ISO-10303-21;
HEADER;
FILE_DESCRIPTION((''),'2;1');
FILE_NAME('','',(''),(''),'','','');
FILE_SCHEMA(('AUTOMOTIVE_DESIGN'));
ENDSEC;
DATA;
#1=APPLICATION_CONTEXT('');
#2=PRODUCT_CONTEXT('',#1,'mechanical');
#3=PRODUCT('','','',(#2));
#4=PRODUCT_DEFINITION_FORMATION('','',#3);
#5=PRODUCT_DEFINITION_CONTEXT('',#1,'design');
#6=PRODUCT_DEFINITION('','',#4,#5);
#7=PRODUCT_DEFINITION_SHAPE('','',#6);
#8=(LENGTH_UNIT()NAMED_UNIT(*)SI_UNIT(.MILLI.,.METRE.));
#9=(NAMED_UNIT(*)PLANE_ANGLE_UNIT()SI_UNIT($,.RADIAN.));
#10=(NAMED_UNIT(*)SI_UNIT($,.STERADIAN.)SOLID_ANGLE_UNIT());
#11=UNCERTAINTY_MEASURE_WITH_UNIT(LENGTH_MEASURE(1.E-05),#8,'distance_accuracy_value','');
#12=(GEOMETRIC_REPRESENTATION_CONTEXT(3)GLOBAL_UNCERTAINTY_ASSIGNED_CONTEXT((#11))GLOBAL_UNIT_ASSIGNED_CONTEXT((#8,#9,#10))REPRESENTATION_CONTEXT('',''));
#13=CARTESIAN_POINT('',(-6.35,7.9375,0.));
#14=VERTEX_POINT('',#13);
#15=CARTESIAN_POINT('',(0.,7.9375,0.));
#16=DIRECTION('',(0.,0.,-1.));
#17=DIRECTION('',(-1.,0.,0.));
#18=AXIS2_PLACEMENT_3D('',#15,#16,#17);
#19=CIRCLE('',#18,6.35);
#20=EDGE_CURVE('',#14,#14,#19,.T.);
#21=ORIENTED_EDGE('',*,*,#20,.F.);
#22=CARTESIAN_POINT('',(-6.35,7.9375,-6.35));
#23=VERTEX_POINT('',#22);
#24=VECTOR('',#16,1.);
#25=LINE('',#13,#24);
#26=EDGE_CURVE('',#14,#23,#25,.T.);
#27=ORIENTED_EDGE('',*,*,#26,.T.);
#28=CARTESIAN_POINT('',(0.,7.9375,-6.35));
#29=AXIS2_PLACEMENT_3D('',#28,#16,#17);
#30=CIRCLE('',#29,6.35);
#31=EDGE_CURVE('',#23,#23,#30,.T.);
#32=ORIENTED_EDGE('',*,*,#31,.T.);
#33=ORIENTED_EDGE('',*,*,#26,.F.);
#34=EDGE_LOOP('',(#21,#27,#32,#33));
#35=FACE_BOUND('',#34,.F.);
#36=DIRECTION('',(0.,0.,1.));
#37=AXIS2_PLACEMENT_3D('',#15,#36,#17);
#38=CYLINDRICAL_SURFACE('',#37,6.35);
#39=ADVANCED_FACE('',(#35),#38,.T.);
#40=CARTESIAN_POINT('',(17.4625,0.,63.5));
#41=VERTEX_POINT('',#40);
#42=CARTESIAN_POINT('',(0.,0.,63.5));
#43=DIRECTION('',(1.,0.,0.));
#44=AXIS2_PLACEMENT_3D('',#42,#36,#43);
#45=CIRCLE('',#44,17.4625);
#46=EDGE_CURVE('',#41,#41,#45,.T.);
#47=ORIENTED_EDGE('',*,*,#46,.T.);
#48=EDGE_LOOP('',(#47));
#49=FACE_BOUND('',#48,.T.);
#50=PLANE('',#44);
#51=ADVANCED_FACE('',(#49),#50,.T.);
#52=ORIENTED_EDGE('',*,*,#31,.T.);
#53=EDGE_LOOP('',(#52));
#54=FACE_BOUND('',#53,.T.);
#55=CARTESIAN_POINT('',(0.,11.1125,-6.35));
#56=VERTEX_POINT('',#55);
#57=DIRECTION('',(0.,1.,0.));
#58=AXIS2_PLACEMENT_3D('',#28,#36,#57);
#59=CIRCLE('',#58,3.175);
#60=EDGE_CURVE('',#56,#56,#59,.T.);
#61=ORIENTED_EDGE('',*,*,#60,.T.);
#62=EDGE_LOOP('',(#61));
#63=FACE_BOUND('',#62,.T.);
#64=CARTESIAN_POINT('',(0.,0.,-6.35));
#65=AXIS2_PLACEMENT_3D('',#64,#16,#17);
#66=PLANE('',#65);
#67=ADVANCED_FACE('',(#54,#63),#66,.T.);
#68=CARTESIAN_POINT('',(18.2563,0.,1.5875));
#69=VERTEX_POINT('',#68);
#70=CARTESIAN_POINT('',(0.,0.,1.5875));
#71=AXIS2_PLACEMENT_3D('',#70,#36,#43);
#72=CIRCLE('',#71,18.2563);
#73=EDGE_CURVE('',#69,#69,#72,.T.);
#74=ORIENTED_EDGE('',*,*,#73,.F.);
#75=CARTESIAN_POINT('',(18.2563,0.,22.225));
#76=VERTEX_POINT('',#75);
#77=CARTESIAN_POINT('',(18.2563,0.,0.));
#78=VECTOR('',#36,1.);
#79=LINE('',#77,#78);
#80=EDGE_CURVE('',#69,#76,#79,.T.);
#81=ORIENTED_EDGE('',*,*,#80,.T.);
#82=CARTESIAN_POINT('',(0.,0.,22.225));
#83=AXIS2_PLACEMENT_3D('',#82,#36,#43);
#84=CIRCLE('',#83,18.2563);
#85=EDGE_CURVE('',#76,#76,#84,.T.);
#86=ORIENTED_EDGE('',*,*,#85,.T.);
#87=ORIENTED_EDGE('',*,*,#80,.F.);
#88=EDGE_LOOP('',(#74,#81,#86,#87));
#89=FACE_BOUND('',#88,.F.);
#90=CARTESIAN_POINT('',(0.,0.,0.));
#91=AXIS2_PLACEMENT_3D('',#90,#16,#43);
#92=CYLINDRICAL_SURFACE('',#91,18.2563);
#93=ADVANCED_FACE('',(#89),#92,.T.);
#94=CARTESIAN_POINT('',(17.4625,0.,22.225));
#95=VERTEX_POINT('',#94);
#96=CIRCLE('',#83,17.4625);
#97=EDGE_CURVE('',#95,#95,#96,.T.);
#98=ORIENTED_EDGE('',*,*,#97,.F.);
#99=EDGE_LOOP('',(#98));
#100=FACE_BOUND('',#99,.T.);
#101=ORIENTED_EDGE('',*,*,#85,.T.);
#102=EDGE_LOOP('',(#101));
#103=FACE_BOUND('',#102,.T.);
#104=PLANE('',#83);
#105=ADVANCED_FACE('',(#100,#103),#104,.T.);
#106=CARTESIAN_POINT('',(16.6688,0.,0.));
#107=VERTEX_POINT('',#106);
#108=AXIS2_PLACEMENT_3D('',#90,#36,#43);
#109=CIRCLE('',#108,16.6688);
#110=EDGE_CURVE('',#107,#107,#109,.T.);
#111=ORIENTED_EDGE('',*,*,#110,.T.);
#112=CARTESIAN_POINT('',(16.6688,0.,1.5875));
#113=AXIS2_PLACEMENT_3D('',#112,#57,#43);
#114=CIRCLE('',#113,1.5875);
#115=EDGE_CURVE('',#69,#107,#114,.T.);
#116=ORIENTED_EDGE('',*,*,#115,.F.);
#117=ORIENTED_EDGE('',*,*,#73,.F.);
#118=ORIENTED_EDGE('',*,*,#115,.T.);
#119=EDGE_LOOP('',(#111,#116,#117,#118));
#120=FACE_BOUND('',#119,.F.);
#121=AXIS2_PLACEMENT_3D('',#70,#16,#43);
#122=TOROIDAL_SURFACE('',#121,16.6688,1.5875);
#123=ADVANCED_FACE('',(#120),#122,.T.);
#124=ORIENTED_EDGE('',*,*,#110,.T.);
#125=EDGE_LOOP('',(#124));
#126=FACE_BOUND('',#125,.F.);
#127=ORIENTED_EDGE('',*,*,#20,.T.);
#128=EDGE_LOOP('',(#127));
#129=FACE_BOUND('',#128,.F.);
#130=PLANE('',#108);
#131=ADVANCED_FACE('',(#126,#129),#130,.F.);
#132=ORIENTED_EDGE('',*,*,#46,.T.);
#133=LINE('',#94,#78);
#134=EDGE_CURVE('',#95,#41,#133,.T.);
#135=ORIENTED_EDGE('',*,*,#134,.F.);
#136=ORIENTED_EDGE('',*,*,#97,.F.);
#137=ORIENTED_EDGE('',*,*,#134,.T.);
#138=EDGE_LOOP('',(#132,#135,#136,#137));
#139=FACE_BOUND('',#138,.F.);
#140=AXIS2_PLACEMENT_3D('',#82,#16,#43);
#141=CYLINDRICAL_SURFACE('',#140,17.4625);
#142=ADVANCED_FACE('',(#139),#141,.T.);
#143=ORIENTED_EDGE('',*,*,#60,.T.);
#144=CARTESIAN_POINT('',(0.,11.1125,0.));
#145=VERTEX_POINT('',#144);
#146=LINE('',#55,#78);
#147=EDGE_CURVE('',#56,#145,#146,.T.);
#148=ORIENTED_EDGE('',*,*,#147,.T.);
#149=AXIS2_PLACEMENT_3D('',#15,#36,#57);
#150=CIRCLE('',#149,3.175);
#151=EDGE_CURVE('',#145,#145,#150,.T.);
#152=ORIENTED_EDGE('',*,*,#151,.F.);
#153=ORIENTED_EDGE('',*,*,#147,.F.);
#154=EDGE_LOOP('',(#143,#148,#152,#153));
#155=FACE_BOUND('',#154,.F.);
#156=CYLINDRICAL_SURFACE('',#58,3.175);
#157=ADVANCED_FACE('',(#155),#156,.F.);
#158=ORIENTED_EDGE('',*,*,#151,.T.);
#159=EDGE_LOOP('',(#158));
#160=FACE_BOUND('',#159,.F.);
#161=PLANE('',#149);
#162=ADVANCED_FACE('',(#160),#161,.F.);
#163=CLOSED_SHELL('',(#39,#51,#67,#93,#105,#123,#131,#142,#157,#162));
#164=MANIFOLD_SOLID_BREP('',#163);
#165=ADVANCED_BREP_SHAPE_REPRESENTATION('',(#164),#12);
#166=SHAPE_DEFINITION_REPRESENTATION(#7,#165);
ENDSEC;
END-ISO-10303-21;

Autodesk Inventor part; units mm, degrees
ref_plane "YZ Plane" through (0, 0, 0) normal (1, 0, 0) x (0, 1, 0)
ref_plane "XZ Plane" through (0, 0, 0) normal (0, 1, 0) x (-1, 0, 0)
ref_plane "XY Plane" through (0, 0, 0) normal (0, 0, 1) x (1, 0, 0)
sketch "Sketch1" plane through (0, 0, 0) normal (0, 0, 1) x (1, 0, 0)
  circle A0 centre (0, 0) radius 18.2563
  dimension "d0" = 36.5125
extrude "Extrusion1" add sketch "Sketch1" along normal blind 22.225
sketch "Sketch2" plane through (0, 0, 22.225) normal (0, 0, 1) x (1, 0, 0)
  circle A0 centre (0, 0) radius 18.2562 projected
  circle A1 centre (0, 0) radius 17.4625
  dimension "d3" = 34.925
extrude "Extrusion2" add sketch "Sketch2" along normal blind 41.275 contours A1
fillet "Fillet1" radius 1.5875 1 edges at (-18.2563, 0, 0)
sketch "Sketch3" plane through (0, 0, 0) normal (0, 0, -1) x (-1, 0, 0)
  circle A0 centre (0, 0) radius 16.6687 projected
  circle A1 centre (0, 7.9375) radius 6.35
  dimension "d7" = 12.7
  dimension "d8" = 7.9375
extrude "Extrusion3" add sketch "Sketch3" along normal blind 6.35 contours A1
sketch "Sketch4" plane through (0, 7.9375, -6.35) normal (0, 0, -1) x (-1, 0, 0)
  circle A0 centre (0, 0) radius 6.35 projected
  circle A1 centre (0, 0) radius 3.175
  point P0 (0, -7.9375)
  dimension "d11" = 6.35
hole "Hole1" at (0, 7.9375, -6.35) direction (0, 0, 1) diameter 6.35 depth 6.35
properties part number "Motorbase"
